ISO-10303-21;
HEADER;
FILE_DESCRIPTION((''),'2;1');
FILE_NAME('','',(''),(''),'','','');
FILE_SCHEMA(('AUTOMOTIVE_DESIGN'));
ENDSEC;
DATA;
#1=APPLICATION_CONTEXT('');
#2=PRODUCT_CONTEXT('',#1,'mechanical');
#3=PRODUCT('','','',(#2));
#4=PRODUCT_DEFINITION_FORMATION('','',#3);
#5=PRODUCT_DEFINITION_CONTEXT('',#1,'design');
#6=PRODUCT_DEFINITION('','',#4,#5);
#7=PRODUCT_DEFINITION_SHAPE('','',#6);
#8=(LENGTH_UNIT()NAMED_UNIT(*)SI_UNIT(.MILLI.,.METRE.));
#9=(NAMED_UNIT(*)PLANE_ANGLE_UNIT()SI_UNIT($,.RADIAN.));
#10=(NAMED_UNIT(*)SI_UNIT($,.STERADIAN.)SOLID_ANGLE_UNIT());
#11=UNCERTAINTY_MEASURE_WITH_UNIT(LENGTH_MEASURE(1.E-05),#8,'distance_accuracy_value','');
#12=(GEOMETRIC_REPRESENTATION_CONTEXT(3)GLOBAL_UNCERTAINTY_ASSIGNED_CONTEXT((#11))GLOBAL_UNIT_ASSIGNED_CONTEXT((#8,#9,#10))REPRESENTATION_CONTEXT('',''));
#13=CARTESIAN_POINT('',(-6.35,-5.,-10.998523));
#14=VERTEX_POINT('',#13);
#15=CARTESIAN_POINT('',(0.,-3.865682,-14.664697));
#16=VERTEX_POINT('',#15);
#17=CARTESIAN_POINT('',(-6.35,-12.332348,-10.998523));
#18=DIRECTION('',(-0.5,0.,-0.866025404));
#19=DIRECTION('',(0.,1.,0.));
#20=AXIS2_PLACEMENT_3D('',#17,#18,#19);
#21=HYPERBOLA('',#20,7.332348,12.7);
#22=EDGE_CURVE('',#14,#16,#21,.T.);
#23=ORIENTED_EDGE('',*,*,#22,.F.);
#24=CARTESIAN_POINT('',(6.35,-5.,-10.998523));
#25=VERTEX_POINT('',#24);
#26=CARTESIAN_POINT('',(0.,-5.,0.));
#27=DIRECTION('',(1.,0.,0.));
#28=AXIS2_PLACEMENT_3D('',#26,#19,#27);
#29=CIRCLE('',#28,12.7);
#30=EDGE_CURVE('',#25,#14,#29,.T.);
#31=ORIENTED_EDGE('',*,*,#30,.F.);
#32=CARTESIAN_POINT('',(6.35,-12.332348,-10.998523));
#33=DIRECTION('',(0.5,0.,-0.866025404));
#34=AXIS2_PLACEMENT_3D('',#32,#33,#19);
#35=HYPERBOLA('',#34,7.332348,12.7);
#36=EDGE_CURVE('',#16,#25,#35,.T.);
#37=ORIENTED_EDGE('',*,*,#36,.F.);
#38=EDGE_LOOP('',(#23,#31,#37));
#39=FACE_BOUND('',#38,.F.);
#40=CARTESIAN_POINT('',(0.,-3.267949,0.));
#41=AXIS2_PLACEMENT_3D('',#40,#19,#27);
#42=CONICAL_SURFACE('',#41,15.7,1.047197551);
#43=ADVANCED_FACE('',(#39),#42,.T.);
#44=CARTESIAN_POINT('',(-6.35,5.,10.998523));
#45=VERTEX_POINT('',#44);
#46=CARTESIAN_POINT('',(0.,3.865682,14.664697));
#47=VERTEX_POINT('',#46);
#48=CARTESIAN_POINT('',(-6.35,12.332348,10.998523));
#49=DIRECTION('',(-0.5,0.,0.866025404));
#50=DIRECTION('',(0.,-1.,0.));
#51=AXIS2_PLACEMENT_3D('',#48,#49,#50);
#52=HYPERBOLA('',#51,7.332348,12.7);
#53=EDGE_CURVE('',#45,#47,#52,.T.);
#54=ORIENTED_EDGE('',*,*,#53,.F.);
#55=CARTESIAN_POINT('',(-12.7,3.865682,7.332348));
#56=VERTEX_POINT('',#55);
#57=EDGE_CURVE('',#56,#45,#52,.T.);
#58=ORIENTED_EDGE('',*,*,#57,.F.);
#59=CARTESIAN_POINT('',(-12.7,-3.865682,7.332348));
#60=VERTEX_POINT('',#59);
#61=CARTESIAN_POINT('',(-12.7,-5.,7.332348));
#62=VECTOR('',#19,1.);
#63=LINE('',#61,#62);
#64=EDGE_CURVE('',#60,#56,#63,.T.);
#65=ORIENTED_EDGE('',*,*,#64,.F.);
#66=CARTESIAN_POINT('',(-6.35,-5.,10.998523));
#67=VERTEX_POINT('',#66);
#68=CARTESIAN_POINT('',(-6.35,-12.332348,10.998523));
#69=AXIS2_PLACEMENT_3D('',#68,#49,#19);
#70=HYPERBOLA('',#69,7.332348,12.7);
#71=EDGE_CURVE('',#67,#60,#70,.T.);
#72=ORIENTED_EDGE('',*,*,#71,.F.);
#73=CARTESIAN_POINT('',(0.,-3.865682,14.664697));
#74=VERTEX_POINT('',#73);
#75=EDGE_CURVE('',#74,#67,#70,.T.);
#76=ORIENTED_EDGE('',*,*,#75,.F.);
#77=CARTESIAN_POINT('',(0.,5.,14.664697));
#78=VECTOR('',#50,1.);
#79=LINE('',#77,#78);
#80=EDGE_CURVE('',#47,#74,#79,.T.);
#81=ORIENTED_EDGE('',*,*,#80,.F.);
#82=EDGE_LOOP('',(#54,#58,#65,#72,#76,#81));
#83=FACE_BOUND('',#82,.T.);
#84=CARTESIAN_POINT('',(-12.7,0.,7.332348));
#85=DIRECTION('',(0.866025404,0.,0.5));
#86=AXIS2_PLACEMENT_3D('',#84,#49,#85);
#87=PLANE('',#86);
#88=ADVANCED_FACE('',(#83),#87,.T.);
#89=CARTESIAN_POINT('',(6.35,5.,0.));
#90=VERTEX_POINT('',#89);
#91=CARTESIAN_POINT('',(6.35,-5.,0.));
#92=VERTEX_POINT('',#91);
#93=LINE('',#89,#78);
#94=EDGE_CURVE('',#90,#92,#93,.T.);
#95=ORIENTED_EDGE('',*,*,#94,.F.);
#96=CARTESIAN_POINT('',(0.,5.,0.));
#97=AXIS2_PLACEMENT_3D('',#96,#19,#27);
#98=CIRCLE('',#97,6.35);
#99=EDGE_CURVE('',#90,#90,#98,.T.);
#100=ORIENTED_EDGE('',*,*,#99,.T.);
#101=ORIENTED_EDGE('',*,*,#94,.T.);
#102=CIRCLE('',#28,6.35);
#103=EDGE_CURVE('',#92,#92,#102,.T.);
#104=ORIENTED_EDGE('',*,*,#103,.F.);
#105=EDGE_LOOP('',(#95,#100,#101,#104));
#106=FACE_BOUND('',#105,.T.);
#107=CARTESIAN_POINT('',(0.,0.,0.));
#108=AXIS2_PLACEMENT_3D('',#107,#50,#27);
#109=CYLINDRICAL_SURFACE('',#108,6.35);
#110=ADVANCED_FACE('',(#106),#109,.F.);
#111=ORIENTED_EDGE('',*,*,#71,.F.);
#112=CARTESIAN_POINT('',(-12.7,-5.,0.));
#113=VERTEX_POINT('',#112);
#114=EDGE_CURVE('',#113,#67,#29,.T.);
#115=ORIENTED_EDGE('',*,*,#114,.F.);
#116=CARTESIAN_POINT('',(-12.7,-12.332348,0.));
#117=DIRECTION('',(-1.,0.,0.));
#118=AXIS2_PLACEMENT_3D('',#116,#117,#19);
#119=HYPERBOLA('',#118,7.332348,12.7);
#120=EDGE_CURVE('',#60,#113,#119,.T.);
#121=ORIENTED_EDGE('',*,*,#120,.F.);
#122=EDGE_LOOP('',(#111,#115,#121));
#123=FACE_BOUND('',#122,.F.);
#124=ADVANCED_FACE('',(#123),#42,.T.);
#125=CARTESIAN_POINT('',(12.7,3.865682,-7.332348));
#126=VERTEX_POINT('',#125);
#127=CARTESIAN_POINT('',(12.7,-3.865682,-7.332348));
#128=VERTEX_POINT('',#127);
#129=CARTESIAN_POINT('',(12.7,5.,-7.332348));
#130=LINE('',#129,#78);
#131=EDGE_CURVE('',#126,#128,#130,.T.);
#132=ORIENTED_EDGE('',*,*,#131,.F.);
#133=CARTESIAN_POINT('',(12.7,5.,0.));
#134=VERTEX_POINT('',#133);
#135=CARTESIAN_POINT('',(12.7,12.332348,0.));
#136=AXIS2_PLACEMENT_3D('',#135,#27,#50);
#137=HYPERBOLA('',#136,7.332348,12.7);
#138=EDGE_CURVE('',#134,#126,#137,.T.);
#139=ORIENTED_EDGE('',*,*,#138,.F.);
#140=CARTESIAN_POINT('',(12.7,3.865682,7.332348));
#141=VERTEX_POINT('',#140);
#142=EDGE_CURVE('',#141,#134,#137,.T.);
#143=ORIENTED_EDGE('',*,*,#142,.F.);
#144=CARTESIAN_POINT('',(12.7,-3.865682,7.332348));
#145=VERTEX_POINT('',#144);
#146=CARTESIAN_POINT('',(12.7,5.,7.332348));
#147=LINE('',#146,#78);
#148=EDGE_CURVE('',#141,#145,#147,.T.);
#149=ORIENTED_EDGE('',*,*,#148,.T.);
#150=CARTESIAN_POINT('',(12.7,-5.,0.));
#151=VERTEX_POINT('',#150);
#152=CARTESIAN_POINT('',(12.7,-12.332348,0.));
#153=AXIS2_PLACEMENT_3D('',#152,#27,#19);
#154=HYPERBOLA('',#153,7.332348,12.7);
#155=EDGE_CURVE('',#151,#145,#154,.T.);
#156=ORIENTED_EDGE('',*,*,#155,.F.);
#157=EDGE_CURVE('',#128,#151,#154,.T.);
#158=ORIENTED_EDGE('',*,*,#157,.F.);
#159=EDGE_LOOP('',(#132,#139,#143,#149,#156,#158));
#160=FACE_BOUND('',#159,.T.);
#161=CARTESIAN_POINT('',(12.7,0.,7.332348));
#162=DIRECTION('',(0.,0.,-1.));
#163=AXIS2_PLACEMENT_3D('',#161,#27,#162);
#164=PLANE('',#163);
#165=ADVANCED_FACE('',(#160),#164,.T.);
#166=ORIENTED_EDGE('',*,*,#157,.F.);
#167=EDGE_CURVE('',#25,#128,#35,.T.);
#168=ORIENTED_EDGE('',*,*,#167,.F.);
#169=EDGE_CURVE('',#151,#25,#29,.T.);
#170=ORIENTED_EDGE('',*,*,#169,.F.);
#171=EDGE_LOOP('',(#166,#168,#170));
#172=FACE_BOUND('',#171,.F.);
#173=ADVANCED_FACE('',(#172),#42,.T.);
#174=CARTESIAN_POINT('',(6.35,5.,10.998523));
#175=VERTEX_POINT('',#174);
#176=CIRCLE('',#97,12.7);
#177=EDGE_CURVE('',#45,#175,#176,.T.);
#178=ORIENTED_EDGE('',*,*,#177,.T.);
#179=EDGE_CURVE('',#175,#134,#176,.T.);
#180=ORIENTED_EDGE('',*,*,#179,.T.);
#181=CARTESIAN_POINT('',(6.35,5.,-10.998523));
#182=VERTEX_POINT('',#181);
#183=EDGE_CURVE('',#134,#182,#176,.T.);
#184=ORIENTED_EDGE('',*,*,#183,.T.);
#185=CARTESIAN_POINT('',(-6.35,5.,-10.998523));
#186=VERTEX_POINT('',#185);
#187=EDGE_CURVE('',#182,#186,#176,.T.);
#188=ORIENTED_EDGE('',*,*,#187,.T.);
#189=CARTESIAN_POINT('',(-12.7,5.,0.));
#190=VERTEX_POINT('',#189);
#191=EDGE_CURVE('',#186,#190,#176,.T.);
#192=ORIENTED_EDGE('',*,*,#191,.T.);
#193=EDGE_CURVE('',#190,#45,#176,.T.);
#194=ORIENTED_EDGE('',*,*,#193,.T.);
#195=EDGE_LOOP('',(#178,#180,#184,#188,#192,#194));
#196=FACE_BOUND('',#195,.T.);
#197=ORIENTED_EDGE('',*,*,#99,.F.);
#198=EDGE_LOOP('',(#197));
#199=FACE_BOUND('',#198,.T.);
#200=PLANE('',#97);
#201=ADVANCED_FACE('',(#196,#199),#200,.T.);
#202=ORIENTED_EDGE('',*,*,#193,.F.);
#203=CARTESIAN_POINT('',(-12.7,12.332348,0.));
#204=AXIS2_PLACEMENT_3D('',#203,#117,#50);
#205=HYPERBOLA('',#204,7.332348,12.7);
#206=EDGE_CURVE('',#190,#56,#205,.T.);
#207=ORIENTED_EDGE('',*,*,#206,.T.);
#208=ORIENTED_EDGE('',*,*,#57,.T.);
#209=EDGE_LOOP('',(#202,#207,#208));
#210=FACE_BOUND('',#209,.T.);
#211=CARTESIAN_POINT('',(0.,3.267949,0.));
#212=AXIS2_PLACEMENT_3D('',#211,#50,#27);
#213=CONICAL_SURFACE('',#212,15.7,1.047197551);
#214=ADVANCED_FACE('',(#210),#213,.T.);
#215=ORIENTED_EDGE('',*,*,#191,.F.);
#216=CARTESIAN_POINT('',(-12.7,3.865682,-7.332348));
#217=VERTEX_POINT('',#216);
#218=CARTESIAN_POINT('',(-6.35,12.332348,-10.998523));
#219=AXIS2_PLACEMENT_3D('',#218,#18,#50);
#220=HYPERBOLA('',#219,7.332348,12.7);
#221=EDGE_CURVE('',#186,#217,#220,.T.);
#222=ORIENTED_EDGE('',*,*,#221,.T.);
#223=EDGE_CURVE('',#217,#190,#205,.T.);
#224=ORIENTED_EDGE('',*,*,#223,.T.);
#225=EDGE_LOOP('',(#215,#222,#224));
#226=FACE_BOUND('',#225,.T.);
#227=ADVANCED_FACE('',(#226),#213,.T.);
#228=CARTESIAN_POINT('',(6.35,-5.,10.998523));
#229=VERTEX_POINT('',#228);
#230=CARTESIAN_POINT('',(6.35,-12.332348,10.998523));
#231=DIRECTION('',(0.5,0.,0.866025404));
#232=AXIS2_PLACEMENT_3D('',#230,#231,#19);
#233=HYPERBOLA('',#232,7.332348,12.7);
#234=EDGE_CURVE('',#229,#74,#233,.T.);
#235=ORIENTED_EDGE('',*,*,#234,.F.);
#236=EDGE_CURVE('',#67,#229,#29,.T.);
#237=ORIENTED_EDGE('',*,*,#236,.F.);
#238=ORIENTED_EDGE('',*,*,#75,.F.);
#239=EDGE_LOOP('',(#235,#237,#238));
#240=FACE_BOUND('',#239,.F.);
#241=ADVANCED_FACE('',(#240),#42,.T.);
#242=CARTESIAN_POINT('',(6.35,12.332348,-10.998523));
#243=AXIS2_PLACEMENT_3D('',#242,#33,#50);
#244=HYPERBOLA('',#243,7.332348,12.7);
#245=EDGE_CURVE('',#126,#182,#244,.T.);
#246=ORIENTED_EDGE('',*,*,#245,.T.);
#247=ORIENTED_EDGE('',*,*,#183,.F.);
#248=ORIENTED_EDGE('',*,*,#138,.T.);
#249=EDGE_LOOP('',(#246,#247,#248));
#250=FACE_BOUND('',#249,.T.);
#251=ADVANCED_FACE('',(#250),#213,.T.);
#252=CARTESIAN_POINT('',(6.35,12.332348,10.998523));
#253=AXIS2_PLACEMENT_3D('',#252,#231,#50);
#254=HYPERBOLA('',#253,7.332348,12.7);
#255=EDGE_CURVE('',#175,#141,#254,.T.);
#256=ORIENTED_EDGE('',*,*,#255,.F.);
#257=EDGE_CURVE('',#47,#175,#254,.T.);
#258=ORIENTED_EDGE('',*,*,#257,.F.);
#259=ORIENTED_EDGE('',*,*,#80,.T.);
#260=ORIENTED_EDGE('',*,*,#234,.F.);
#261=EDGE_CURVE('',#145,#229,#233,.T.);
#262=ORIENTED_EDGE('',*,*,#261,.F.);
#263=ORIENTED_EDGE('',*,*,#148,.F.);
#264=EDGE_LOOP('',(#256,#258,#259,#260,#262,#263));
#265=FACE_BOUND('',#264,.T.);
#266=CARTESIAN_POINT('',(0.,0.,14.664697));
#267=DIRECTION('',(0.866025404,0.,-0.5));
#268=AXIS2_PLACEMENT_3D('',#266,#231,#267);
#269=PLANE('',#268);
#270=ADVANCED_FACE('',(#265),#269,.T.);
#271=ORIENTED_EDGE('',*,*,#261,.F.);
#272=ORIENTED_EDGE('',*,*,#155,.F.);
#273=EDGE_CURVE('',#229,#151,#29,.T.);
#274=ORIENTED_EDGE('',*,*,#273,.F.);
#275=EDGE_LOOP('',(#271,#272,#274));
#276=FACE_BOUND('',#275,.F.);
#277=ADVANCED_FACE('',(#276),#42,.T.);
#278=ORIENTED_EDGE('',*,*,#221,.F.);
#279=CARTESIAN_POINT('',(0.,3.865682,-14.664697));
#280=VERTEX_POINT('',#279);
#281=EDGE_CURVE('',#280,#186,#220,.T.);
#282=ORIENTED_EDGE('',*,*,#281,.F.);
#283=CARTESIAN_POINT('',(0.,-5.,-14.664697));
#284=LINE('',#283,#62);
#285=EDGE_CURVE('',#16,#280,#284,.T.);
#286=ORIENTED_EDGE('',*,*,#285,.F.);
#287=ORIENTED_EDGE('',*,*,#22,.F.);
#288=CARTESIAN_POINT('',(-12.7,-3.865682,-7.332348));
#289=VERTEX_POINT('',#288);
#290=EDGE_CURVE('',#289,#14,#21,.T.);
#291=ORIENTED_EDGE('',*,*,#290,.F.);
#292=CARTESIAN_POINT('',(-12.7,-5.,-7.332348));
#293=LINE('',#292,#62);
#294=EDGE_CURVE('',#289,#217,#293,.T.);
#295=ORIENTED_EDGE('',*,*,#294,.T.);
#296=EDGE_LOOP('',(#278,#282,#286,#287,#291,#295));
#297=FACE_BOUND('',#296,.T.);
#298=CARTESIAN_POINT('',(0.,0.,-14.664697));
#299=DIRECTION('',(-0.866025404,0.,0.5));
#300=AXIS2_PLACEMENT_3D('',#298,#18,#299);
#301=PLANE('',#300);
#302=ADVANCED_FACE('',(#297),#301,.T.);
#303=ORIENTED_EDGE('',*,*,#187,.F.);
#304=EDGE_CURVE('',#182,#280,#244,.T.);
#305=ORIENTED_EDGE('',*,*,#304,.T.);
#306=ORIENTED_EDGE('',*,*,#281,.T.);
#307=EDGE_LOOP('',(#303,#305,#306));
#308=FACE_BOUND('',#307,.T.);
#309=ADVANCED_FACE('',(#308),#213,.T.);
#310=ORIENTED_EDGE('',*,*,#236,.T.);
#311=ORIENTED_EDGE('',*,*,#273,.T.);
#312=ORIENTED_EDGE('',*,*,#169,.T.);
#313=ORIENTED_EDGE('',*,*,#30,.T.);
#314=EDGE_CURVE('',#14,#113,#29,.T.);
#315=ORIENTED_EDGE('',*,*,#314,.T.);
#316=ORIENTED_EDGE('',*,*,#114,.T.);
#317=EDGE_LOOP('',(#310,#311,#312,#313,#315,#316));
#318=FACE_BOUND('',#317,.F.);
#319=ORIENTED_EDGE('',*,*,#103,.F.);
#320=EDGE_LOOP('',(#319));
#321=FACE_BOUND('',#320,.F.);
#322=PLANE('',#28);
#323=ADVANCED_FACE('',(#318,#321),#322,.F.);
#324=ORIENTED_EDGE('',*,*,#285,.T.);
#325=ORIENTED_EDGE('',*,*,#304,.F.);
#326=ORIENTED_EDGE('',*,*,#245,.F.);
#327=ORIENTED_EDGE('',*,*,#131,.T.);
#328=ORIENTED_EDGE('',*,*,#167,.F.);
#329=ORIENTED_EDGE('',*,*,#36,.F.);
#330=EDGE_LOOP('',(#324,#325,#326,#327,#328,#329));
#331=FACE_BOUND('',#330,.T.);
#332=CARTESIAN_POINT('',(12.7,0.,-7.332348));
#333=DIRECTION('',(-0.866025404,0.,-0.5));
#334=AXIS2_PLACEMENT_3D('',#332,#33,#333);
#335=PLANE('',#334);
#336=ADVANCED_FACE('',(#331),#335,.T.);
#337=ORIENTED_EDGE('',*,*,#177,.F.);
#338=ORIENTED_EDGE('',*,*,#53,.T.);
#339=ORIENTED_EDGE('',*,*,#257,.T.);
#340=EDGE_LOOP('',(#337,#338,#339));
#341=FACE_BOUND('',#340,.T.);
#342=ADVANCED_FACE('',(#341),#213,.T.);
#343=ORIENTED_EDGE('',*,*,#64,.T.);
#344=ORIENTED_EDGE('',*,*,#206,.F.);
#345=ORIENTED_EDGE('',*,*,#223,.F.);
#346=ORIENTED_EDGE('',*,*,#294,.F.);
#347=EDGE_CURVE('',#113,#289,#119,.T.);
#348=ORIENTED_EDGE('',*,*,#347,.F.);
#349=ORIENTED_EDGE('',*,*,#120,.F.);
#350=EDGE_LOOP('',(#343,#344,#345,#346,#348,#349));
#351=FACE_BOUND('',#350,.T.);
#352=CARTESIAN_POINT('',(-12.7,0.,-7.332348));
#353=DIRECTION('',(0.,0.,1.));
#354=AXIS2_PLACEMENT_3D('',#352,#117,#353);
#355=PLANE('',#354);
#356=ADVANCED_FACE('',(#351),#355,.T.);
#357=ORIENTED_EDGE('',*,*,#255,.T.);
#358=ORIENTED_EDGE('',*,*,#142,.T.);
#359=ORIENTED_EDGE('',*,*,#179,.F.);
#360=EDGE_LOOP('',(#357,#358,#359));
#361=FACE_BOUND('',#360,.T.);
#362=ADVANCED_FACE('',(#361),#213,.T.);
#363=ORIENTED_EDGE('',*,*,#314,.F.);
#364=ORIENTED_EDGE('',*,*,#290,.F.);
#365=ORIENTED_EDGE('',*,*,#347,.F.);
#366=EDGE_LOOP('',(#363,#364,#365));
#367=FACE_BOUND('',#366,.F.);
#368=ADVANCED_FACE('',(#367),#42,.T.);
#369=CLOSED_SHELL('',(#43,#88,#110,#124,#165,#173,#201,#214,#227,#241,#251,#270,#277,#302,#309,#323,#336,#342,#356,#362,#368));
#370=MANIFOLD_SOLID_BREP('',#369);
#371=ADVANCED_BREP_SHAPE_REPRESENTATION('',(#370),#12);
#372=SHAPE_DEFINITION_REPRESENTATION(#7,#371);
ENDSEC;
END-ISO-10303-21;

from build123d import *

# Parameters (mm, degrees)
SKETCH1_R           = 6.35
BOSS_EXTRUDE1_DEPTH = 5


with BuildPart() as part:
    # Sketch1 → Boss-Extrude1 (new body, symmetric)
    with BuildSketch(Plane(origin=(0, 0, 0), x_dir=(1, 0, 0), z_dir=(0, 1, 0))):
        Polygon((12.7, 7.332348419), (0, 14.664696837), (-12.7, 7.332348419), (-12.7, -7.332348419), (0, -14.664696837), (12.7, -7.332348419), align=None)
        Circle(SKETCH1_R, mode=Mode.SUBTRACT)
    extrude(amount=BOSS_EXTRUDE1_DEPTH, both=True)

    # Sketch2 → Cut-Revolve1 (revolve, cut)
    with BuildSketch(Plane.XY):
        Polygon((12.7, 5), (15.7, 5), (15.7, 3.267949192), align=None)
        Polygon((12.7, -5), (15.7, -5), (15.7, -3.267949192), align=None)
    revolve(axis=Axis((0, 0, 0), (0, 1, 0)), mode=Mode.SUBTRACT)


solid = part.part
